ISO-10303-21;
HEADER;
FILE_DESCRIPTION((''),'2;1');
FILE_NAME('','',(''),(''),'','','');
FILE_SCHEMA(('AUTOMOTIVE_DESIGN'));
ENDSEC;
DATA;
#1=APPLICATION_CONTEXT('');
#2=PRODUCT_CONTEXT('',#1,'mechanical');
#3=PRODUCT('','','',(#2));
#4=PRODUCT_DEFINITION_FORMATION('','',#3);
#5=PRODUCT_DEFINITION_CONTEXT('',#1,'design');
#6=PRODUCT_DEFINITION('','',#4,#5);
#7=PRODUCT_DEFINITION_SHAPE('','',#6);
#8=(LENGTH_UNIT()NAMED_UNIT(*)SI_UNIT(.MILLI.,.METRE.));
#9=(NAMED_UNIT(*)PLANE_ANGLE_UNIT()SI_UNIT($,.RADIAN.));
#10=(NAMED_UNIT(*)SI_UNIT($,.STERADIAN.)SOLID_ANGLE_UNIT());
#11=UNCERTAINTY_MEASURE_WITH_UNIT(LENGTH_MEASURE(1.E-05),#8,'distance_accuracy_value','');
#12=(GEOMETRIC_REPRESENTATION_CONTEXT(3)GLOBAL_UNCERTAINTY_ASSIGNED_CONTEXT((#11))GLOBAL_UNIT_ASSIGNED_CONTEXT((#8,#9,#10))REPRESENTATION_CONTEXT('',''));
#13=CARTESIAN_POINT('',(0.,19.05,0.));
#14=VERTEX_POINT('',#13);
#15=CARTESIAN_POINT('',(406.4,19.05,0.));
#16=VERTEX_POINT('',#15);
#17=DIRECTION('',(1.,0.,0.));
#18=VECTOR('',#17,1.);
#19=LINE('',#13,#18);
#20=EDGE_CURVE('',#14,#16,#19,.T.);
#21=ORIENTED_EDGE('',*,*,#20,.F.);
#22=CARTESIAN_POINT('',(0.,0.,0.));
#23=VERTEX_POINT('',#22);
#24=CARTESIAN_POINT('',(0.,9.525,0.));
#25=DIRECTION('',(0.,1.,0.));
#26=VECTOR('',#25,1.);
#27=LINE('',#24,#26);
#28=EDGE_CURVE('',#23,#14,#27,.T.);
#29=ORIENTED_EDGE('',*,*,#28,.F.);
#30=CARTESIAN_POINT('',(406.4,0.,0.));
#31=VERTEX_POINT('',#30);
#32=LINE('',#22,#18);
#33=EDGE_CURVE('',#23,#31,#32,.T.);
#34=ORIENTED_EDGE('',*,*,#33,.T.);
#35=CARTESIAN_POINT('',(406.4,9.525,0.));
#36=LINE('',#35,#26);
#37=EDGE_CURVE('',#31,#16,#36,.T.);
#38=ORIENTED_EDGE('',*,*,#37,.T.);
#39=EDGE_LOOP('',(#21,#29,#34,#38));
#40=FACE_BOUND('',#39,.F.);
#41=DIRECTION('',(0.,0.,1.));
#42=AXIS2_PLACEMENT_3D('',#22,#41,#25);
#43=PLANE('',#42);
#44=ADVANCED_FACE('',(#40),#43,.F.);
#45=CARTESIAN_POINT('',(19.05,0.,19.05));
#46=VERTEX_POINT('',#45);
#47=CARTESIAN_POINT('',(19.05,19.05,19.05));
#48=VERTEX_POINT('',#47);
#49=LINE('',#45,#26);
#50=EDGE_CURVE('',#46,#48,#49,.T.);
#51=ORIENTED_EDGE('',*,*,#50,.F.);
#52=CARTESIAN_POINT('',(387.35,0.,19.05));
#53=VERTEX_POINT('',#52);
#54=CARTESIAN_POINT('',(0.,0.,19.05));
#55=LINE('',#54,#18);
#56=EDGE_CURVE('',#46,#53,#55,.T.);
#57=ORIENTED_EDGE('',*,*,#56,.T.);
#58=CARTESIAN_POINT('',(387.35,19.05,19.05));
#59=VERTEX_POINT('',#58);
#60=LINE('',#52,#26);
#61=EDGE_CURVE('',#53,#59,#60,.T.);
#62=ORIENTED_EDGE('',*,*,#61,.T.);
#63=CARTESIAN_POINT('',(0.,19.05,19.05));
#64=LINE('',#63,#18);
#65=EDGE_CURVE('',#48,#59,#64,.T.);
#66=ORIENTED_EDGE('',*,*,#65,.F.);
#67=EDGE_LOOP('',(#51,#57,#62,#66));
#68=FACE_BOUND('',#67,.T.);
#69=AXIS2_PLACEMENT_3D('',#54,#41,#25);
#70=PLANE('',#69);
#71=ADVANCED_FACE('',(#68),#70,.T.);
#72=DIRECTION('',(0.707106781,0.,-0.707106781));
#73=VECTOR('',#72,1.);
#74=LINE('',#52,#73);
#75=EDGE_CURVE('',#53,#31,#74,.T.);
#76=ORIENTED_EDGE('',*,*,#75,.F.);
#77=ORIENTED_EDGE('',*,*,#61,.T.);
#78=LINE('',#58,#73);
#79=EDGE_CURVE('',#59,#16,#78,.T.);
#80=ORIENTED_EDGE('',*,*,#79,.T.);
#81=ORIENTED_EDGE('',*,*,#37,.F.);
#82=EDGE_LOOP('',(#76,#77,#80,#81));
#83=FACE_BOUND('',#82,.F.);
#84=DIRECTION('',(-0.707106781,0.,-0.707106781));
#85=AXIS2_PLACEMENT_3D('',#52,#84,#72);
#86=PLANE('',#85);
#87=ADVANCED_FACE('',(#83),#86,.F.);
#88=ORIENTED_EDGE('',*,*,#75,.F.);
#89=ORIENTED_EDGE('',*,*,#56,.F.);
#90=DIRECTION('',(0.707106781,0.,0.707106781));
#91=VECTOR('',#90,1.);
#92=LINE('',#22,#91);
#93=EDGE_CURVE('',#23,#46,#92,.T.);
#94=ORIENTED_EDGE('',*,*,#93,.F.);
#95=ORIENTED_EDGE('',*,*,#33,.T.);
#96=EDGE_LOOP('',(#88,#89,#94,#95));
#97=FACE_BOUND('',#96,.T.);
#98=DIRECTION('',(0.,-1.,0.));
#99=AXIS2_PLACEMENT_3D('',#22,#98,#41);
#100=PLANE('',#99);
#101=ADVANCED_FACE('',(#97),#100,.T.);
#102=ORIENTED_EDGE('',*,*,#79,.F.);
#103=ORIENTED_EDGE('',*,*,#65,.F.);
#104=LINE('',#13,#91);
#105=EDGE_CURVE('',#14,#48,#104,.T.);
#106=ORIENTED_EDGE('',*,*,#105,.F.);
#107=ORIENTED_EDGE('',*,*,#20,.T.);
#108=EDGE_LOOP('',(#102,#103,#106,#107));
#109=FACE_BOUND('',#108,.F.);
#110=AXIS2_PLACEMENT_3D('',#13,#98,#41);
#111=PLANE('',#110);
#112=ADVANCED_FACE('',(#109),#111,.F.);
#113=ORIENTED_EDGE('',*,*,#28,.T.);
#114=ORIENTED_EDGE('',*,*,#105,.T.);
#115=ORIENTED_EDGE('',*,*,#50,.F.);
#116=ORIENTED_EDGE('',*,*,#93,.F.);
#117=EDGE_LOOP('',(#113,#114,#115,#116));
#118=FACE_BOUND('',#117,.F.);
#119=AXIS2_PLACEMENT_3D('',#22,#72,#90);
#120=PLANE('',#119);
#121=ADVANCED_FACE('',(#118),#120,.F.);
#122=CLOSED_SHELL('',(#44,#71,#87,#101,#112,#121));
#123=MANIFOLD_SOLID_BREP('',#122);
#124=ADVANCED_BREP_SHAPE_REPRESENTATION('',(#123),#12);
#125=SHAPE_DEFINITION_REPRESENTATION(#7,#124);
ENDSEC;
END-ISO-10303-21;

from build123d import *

# Parameters (mm, degrees)
F0_W     = 19.05
F0_H     = 19.05
F1_DEPTH = 406.4
F3_DEPTH = 19.05


with BuildPart() as f1:
    # F0 (on Right) → F1 (new body)
    with BuildSketch(Plane.YZ):
        with Locations((9.525, 9.525)):
            Rectangle(F0_W, F0_H)
    extrude(amount=F1_DEPTH)

    # F2 (on face) → F3 (cut)
    with BuildSketch(Plane.XZ):
        Polygon((0, 19.05), (0, 0), (19.05, 19.05), align=None)
        Polygon((387.35, 19.05), (406.4, 0), (406.4, 19.05), align=None)
    extrude(amount=-F3_DEPTH, mode=Mode.SUBTRACT)


solid = f1.part
